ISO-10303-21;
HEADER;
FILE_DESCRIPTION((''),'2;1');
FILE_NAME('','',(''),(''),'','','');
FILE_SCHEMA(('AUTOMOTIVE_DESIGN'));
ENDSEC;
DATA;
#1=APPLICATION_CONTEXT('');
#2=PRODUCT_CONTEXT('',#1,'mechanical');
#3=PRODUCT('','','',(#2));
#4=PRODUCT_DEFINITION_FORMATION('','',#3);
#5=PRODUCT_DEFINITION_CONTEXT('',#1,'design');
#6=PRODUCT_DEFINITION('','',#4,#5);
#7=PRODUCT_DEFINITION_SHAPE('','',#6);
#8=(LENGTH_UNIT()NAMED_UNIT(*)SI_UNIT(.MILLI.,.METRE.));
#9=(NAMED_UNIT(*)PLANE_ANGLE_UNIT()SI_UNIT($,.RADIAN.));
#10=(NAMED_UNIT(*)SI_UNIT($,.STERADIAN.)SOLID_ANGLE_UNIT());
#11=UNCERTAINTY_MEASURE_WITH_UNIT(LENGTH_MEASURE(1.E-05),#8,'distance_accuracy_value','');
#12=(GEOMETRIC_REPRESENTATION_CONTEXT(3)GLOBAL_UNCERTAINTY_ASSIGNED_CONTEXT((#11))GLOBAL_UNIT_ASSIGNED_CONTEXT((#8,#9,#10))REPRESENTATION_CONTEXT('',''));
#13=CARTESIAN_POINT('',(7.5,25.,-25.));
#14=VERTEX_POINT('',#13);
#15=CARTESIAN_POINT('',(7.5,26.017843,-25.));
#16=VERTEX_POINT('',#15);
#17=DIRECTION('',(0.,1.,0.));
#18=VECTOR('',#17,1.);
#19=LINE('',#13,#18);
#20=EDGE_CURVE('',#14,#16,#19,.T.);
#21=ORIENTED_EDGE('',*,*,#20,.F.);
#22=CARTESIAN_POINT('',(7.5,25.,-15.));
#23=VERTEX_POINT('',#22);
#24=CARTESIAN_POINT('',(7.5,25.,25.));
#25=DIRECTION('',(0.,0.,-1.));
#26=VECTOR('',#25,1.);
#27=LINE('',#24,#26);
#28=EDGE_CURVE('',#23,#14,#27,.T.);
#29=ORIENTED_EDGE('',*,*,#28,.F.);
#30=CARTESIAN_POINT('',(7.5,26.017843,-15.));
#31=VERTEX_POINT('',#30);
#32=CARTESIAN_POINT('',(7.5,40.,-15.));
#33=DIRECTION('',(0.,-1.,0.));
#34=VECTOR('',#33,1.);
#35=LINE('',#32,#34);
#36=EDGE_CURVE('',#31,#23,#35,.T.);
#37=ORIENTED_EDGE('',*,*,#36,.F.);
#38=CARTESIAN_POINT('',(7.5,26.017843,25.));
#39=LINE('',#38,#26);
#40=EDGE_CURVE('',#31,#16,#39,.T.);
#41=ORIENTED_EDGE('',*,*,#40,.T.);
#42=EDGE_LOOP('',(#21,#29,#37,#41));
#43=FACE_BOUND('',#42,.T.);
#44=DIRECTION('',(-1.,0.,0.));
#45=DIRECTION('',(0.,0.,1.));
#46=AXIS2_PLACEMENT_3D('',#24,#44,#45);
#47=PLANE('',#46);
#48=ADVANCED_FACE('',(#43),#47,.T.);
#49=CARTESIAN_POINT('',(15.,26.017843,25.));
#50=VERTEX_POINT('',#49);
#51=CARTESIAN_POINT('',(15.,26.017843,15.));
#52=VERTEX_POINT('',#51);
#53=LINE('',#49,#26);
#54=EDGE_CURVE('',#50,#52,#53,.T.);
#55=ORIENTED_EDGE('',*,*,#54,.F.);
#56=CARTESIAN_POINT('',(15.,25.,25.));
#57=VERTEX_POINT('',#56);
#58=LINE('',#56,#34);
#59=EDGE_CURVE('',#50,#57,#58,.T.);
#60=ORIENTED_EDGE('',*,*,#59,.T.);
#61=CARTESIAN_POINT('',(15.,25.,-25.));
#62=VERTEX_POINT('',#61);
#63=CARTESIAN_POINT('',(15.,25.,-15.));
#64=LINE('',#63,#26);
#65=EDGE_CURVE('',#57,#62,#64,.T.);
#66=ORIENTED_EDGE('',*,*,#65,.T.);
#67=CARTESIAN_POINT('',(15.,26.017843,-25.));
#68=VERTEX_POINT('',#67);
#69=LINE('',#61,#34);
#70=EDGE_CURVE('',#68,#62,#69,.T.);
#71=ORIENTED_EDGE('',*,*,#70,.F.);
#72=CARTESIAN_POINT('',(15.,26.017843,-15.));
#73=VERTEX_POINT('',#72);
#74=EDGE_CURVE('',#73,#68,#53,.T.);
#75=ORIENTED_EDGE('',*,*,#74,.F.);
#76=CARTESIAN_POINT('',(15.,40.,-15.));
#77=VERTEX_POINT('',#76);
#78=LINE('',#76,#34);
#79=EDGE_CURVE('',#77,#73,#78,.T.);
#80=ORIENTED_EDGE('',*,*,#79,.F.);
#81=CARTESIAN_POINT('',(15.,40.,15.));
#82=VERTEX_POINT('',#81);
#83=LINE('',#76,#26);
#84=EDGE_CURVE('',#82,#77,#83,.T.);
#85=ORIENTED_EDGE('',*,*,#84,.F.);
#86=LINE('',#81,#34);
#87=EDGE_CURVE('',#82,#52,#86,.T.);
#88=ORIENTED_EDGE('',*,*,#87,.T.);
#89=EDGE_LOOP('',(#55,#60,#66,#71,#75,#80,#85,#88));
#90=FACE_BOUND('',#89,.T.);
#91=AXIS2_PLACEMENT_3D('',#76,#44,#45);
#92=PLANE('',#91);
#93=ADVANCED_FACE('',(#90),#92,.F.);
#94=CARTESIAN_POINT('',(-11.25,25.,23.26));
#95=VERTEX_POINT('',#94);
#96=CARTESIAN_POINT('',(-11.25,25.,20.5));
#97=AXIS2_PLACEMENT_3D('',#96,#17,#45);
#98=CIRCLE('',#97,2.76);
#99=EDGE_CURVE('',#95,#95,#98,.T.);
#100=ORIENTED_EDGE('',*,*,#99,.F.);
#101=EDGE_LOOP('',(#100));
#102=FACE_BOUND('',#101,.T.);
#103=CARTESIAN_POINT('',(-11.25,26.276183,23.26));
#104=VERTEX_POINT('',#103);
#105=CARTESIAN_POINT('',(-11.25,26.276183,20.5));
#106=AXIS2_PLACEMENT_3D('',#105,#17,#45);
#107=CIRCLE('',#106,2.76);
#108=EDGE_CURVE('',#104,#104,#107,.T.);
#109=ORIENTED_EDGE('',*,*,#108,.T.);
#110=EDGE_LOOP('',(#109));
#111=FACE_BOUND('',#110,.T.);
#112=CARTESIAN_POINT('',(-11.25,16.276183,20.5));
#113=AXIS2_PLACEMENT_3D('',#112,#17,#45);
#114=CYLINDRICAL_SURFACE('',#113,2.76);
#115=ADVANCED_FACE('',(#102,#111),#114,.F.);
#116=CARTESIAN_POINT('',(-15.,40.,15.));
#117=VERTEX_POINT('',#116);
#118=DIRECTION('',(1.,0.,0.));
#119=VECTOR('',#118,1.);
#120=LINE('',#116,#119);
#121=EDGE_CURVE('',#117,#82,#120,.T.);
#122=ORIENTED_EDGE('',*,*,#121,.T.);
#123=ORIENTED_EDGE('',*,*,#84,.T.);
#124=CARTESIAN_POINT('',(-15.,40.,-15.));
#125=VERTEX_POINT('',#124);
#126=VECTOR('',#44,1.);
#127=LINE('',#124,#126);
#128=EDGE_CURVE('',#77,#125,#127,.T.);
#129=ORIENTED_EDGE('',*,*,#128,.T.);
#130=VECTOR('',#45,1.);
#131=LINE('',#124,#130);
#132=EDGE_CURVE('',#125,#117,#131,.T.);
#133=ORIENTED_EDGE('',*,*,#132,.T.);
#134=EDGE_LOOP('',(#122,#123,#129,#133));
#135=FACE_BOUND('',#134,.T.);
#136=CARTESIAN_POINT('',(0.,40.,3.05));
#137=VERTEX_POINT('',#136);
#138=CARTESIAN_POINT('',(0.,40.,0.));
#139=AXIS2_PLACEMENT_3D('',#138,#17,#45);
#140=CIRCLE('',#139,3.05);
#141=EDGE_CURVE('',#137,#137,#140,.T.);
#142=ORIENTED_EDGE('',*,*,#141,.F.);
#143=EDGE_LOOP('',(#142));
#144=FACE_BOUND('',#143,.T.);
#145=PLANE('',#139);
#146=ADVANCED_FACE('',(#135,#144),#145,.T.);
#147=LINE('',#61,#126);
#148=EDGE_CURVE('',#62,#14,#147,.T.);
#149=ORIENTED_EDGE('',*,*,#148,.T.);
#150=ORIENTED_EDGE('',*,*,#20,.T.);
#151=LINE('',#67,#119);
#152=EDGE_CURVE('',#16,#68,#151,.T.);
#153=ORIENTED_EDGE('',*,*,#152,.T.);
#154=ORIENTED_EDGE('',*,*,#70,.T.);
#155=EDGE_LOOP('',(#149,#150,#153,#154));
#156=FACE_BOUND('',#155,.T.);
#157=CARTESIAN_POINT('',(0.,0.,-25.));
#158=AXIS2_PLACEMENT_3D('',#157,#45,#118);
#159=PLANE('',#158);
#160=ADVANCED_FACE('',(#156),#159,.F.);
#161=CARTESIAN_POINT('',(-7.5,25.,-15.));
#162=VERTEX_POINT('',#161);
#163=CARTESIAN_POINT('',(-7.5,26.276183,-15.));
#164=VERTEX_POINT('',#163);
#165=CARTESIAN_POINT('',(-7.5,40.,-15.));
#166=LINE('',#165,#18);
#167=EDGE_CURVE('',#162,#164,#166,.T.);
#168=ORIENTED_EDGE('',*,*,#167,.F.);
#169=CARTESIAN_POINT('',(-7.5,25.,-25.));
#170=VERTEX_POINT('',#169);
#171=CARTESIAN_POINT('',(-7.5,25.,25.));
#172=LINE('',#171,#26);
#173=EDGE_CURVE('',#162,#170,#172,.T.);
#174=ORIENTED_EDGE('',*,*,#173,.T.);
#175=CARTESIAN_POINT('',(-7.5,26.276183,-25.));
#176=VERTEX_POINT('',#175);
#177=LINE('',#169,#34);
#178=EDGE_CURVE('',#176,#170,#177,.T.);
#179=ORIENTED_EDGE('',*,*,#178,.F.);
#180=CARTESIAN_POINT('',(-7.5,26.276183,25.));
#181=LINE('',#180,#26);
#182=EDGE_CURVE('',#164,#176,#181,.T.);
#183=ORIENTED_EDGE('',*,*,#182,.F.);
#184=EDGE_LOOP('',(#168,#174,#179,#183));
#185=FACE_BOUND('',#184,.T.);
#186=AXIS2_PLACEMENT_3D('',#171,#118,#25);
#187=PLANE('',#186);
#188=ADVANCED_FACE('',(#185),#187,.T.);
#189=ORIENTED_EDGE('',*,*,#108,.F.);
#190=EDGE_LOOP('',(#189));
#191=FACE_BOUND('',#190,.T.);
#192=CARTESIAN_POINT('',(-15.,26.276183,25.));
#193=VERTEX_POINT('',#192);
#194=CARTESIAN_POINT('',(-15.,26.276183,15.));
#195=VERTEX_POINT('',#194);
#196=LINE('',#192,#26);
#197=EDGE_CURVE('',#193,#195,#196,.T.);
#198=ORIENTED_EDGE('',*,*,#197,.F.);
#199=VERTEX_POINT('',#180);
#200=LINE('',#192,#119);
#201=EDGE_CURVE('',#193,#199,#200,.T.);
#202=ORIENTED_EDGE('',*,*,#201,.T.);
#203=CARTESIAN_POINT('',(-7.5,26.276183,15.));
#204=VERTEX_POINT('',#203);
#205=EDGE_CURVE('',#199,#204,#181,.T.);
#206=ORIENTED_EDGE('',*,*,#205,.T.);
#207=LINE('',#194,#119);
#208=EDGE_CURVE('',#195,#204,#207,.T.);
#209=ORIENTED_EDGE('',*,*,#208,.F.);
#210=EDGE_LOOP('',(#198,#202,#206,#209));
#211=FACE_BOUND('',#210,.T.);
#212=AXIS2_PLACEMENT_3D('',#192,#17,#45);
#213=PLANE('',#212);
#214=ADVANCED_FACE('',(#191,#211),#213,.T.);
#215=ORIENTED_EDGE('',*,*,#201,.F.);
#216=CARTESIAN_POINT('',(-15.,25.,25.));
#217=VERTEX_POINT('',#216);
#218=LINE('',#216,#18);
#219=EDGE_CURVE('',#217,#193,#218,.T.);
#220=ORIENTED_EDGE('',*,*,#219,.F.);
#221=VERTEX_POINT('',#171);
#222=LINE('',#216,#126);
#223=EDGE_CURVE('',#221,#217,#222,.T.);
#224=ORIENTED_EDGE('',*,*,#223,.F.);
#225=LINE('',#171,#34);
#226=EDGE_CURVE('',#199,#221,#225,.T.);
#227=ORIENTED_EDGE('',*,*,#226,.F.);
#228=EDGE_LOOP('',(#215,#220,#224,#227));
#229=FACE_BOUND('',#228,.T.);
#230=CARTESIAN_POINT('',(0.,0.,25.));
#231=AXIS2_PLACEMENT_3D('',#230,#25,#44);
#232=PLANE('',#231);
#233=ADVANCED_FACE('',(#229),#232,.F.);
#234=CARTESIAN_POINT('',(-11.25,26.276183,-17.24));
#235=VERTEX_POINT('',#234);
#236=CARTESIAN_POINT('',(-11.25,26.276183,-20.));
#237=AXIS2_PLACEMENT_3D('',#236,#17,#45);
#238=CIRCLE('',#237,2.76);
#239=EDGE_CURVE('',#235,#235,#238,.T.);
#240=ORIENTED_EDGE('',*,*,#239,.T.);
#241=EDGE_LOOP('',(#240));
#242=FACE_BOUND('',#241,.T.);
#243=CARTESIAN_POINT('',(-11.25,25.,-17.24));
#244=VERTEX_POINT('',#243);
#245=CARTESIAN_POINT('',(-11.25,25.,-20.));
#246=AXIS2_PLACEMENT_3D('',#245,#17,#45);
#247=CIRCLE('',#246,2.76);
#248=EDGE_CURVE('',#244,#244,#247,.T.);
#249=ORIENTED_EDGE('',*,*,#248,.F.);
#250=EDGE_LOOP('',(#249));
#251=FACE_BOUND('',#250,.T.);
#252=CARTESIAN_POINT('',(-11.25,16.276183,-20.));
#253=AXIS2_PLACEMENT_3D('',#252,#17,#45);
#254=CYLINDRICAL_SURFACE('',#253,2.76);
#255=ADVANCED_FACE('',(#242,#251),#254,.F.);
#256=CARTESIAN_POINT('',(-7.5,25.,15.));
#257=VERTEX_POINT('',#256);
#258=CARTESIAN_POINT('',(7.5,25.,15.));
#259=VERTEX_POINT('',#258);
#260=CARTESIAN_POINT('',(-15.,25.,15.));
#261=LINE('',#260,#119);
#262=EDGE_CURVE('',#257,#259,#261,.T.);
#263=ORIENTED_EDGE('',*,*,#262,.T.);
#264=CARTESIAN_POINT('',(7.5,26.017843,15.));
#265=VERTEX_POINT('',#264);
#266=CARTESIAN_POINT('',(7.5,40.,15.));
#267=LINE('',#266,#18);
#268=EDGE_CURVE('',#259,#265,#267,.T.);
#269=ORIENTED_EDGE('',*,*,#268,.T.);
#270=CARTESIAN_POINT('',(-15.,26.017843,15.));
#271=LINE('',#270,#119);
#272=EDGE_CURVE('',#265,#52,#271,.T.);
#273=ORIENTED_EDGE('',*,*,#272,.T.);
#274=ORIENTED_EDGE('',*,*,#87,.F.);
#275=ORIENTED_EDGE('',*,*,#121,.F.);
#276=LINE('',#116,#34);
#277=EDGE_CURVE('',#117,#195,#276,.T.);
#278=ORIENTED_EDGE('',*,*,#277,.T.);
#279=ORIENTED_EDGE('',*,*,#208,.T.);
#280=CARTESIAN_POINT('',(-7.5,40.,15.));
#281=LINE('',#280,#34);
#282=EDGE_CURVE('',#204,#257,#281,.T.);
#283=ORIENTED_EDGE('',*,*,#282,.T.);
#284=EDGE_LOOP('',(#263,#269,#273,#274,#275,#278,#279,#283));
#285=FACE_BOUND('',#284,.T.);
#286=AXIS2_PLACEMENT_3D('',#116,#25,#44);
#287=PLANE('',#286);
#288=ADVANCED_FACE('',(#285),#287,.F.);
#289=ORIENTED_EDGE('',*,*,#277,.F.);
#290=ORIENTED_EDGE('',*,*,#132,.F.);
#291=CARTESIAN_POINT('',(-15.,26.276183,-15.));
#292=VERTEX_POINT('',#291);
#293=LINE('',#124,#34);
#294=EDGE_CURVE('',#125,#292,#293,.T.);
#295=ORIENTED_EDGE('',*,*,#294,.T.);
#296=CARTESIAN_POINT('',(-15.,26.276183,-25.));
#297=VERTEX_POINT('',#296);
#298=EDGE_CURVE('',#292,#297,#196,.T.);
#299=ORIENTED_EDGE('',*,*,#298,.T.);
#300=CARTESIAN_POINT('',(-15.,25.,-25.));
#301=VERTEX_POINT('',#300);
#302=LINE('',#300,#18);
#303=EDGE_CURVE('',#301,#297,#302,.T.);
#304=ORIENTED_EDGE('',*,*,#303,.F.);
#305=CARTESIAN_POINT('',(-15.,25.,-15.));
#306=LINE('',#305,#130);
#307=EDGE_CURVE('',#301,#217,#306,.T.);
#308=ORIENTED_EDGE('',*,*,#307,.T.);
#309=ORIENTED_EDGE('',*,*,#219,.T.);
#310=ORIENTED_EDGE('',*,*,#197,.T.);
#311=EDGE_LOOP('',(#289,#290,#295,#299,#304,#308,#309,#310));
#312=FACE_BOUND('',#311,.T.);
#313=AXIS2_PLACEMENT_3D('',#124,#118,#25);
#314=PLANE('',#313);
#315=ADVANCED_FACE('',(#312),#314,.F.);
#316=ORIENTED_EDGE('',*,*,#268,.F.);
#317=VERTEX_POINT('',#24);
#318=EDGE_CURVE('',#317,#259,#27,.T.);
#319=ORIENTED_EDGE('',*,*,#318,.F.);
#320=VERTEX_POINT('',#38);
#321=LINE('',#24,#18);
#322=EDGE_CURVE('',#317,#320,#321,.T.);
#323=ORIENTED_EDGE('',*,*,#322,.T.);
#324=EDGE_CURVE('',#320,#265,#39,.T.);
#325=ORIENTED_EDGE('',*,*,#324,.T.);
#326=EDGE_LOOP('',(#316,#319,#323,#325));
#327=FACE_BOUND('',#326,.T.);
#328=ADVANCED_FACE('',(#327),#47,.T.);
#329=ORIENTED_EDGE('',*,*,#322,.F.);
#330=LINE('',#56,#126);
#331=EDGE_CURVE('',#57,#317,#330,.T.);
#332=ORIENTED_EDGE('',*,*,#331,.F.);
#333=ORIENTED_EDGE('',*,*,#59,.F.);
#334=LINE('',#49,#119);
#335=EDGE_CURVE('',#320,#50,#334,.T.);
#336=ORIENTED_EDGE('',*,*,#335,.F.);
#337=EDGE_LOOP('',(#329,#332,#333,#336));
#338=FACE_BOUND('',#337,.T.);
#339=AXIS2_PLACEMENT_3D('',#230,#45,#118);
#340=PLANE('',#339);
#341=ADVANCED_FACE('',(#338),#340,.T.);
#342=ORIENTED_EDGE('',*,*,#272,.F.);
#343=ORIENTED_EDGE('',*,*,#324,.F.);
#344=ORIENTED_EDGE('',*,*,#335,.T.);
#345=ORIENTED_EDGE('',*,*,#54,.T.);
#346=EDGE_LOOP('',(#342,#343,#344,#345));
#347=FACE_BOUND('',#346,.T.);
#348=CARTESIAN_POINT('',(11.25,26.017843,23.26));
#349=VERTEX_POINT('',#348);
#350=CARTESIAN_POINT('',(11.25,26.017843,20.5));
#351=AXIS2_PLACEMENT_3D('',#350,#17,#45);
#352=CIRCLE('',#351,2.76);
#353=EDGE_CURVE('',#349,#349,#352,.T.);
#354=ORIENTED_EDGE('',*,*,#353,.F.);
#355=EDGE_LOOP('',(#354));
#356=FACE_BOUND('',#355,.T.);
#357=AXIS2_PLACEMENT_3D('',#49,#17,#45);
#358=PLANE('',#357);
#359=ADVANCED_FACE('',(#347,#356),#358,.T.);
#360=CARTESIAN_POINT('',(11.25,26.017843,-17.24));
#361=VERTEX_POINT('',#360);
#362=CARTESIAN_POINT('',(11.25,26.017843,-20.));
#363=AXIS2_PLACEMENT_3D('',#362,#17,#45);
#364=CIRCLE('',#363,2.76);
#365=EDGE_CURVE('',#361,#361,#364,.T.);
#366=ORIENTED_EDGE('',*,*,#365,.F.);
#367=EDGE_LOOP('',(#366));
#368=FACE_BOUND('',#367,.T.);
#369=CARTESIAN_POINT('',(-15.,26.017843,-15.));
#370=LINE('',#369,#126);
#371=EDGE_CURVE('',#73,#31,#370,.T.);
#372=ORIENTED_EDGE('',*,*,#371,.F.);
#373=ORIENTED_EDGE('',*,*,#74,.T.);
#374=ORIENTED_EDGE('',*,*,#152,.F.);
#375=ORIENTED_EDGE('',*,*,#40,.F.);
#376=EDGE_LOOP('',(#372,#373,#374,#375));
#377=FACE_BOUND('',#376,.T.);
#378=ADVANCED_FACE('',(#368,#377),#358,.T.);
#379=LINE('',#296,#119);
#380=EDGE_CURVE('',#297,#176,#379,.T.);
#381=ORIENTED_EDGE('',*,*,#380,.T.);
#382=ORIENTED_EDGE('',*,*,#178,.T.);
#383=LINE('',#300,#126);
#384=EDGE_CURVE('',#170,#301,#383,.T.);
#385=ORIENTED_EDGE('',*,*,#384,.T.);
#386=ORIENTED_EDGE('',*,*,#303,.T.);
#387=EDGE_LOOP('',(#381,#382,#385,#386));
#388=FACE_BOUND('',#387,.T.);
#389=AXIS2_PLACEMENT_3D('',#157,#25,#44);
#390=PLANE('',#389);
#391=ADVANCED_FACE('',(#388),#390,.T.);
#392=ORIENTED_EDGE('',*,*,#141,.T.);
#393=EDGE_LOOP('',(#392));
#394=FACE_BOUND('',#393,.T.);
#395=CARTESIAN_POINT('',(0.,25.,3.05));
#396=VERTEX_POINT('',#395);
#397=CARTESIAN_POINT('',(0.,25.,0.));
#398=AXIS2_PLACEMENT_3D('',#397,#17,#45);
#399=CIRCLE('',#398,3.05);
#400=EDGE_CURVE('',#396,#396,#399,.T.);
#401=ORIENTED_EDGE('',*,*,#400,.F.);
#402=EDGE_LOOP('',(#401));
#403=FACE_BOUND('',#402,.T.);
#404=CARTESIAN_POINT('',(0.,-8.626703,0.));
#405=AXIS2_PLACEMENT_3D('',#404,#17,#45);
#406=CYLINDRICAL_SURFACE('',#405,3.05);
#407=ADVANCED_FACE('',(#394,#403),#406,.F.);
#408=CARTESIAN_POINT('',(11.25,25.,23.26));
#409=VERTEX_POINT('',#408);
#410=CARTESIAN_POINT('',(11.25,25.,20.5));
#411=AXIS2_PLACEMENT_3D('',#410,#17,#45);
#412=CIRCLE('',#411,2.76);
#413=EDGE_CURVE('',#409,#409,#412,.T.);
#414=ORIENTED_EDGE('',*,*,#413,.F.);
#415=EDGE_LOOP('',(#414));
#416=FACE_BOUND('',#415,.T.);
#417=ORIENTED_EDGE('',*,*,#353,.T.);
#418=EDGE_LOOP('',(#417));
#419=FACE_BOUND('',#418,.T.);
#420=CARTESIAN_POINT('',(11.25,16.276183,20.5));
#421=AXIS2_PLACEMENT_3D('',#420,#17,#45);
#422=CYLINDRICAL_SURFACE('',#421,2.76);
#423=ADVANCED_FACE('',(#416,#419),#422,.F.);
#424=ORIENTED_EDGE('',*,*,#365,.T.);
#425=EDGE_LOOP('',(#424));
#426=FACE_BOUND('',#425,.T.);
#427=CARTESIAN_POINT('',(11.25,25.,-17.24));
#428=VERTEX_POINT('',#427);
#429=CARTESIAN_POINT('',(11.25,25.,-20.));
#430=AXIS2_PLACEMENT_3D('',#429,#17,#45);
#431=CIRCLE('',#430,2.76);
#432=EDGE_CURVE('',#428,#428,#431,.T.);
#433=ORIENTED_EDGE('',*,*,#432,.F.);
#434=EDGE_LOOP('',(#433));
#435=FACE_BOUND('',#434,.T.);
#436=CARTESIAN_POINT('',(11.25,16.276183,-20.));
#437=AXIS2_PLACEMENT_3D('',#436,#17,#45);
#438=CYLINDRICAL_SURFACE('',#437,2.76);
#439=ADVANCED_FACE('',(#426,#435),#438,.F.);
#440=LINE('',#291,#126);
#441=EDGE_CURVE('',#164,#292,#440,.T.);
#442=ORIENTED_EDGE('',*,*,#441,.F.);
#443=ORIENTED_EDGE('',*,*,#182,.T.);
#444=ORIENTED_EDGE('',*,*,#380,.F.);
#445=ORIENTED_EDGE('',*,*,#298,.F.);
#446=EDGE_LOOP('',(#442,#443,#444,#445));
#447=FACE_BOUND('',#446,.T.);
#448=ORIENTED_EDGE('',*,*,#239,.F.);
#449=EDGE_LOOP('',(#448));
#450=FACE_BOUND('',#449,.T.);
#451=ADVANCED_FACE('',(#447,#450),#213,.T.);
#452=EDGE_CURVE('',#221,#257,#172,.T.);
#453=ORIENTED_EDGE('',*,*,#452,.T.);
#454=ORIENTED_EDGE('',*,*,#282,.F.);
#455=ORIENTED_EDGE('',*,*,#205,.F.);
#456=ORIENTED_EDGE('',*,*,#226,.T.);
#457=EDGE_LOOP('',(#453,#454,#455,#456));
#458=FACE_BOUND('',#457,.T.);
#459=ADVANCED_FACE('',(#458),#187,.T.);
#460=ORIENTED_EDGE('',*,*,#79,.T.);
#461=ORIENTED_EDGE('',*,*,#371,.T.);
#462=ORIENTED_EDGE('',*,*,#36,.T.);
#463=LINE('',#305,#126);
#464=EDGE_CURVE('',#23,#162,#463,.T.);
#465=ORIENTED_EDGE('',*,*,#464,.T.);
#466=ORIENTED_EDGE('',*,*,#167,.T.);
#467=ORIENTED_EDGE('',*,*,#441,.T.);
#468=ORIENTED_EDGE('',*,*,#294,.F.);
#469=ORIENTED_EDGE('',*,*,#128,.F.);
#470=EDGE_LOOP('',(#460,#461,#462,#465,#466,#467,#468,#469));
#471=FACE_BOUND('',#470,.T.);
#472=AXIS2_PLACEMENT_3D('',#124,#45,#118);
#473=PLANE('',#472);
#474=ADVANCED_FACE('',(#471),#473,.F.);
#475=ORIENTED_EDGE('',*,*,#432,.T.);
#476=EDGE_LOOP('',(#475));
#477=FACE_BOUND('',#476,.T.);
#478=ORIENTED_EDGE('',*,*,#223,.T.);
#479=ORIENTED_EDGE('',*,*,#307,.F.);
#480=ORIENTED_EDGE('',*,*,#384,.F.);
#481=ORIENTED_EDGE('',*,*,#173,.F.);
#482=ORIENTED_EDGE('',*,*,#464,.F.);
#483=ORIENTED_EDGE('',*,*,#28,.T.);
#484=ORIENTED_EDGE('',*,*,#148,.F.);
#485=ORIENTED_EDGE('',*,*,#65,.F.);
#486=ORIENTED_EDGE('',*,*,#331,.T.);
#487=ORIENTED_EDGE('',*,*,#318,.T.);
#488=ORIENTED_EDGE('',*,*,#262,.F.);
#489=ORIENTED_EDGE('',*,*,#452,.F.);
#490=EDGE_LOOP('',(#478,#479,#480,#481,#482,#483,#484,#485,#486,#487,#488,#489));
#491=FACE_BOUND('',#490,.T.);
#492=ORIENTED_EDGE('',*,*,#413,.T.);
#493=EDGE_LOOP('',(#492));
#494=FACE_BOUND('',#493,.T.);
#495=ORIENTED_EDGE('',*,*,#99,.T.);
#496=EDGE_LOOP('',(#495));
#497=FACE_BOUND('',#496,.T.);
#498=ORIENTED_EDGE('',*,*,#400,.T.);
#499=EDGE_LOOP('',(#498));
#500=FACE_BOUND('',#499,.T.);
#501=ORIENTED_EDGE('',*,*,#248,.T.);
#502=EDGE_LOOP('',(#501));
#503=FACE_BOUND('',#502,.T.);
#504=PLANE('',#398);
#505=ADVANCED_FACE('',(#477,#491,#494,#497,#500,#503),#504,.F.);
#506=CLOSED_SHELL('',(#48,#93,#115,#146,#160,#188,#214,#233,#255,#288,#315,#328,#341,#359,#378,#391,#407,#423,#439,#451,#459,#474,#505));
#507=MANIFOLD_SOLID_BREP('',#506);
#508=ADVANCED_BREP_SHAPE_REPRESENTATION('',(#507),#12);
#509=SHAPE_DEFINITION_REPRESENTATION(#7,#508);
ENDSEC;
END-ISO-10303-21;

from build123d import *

# Parameters (mm, degrees)
SKETCH2_W                = 30
SKETCH2_H                = 30
BOSS_EXTRUDE1_DEPTH      = 10
SKETCH3_W                = 30
SKETCH3_H                = 30
SKETCH3_W_2              = 25
SKETCH3_H_2              = 25
BOSS_EXTRUDE2_DEPTH      = 15
SKETCH4_W                = 30
SKETCH4_H                = 30
BOSS_EXTRUDE3_DEPTH      = 15
CUT_EXTRUDE1_START       = -40
SKETCH5_R                = 3.05
CUT_EXTRUDE1_DEPTH       = 40
BOSS_EXTRUDE4_DEPTH      = 10
BOSS_EXTRUDE4_DEPTH_BACK = 40
SKETCH6_W                = 7.5
SKETCH6_H                = 1.017843133
SKETCH6_H_2              = 1.2761833
SKETCH7_R                = 2.76
CUT_EXTRUDE2_DEPTH       = 10


with BuildPart() as part:
    # Sketch2 → Boss-Extrude1 (new body)
    with BuildSketch(Plane(origin=(0, 0, 0), x_dir=(1, 0, 0), z_dir=(0, 1, 0))):
        Rectangle(SKETCH2_W, SKETCH2_H)
    extrude(amount=BOSS_EXTRUDE1_DEPTH)


with BuildPart() as body_2:
    # Sketch3 → Boss-Extrude2 (new body)
    with BuildSketch(Plane(origin=(0, 10, 0), x_dir=(1, 0, 0), z_dir=(0, 1, 0))):
        Rectangle(SKETCH3_W, SKETCH3_H)
        Rectangle(SKETCH3_W_2, SKETCH3_H_2, mode=Mode.SUBTRACT)
    extrude(amount=BOSS_EXTRUDE2_DEPTH)


with BuildPart() as body_3:
    # Sketch4 → Boss-Extrude3 (new body)
    with BuildSketch(Plane(origin=(0, 25, 0), x_dir=(1, 0, 0), z_dir=(0, 1, 0))):
        Rectangle(SKETCH4_W, SKETCH4_H)
    extrude(amount=BOSS_EXTRUDE3_DEPTH)


with BuildPart() as cut_extrude1_tool:
    # Sketch5 → Cut-Extrude1 (new body)
    with BuildSketch(Plane(origin=(0, 40, 0), x_dir=(1, 0, 0), z_dir=(0, 1, 0)).offset(CUT_EXTRUDE1_START)):
        with Locations(Location((0, 0, 0), (0, 0, 270))):
            Circle(SKETCH5_R)
    extrude(amount=CUT_EXTRUDE1_DEPTH)


with BuildPart() as part_1:
    add(part.part)

    # Cut-Extrude1: cut by cut_extrude1_tool
    add(cut_extrude1_tool.part, mode=Mode.SUBTRACT)


with BuildPart() as body_3_1:
    add(body_3.part)

    # Cut-Extrude1: cut by cut_extrude1_tool
    add(cut_extrude1_tool.part, mode=Mode.SUBTRACT)

    # Sketch6 → Boss-Extrude4 (add, two sides: drawn at the far end of the back side and taken through both)
    with BuildSketch(Plane(origin=(0, 0, -15), x_dir=(-1, 0, 0), z_dir=(0, 0, -1)).offset(-BOSS_EXTRUDE4_DEPTH_BACK)):
        with Locations((-11.25, 25.508921566)):
            Rectangle(SKETCH6_W, SKETCH6_H)
        with Locations((11.25, 25.63809165)):
            Rectangle(SKETCH6_W, SKETCH6_H_2)
    extrude(amount=BOSS_EXTRUDE4_DEPTH + BOSS_EXTRUDE4_DEPTH_BACK)

    # Sketch7 → Cut-Extrude2 (cut)
    with BuildSketch(Plane(origin=(0, 26.2761833, 0), x_dir=(1, 0, 0), z_dir=(0, 1, 0))):
        with Locations(Location((-11.25, 20, 0), (0, 0, 270))):
            Circle(SKETCH7_R)
        with Locations(Location((11.25, 20, 0), (0, 0, 270))):
            Circle(SKETCH7_R)
        with Locations(Location((11.25, -20.5, 0), (0, 0, 270))):
            Circle(SKETCH7_R)
        with Locations(Location((-11.25, -20.5, 0), (0, 0, 270))):
            Circle(SKETCH7_R)
    extrude(amount=-CUT_EXTRUDE2_DEPTH, mode=Mode.SUBTRACT)


solid = body_3_1.part
